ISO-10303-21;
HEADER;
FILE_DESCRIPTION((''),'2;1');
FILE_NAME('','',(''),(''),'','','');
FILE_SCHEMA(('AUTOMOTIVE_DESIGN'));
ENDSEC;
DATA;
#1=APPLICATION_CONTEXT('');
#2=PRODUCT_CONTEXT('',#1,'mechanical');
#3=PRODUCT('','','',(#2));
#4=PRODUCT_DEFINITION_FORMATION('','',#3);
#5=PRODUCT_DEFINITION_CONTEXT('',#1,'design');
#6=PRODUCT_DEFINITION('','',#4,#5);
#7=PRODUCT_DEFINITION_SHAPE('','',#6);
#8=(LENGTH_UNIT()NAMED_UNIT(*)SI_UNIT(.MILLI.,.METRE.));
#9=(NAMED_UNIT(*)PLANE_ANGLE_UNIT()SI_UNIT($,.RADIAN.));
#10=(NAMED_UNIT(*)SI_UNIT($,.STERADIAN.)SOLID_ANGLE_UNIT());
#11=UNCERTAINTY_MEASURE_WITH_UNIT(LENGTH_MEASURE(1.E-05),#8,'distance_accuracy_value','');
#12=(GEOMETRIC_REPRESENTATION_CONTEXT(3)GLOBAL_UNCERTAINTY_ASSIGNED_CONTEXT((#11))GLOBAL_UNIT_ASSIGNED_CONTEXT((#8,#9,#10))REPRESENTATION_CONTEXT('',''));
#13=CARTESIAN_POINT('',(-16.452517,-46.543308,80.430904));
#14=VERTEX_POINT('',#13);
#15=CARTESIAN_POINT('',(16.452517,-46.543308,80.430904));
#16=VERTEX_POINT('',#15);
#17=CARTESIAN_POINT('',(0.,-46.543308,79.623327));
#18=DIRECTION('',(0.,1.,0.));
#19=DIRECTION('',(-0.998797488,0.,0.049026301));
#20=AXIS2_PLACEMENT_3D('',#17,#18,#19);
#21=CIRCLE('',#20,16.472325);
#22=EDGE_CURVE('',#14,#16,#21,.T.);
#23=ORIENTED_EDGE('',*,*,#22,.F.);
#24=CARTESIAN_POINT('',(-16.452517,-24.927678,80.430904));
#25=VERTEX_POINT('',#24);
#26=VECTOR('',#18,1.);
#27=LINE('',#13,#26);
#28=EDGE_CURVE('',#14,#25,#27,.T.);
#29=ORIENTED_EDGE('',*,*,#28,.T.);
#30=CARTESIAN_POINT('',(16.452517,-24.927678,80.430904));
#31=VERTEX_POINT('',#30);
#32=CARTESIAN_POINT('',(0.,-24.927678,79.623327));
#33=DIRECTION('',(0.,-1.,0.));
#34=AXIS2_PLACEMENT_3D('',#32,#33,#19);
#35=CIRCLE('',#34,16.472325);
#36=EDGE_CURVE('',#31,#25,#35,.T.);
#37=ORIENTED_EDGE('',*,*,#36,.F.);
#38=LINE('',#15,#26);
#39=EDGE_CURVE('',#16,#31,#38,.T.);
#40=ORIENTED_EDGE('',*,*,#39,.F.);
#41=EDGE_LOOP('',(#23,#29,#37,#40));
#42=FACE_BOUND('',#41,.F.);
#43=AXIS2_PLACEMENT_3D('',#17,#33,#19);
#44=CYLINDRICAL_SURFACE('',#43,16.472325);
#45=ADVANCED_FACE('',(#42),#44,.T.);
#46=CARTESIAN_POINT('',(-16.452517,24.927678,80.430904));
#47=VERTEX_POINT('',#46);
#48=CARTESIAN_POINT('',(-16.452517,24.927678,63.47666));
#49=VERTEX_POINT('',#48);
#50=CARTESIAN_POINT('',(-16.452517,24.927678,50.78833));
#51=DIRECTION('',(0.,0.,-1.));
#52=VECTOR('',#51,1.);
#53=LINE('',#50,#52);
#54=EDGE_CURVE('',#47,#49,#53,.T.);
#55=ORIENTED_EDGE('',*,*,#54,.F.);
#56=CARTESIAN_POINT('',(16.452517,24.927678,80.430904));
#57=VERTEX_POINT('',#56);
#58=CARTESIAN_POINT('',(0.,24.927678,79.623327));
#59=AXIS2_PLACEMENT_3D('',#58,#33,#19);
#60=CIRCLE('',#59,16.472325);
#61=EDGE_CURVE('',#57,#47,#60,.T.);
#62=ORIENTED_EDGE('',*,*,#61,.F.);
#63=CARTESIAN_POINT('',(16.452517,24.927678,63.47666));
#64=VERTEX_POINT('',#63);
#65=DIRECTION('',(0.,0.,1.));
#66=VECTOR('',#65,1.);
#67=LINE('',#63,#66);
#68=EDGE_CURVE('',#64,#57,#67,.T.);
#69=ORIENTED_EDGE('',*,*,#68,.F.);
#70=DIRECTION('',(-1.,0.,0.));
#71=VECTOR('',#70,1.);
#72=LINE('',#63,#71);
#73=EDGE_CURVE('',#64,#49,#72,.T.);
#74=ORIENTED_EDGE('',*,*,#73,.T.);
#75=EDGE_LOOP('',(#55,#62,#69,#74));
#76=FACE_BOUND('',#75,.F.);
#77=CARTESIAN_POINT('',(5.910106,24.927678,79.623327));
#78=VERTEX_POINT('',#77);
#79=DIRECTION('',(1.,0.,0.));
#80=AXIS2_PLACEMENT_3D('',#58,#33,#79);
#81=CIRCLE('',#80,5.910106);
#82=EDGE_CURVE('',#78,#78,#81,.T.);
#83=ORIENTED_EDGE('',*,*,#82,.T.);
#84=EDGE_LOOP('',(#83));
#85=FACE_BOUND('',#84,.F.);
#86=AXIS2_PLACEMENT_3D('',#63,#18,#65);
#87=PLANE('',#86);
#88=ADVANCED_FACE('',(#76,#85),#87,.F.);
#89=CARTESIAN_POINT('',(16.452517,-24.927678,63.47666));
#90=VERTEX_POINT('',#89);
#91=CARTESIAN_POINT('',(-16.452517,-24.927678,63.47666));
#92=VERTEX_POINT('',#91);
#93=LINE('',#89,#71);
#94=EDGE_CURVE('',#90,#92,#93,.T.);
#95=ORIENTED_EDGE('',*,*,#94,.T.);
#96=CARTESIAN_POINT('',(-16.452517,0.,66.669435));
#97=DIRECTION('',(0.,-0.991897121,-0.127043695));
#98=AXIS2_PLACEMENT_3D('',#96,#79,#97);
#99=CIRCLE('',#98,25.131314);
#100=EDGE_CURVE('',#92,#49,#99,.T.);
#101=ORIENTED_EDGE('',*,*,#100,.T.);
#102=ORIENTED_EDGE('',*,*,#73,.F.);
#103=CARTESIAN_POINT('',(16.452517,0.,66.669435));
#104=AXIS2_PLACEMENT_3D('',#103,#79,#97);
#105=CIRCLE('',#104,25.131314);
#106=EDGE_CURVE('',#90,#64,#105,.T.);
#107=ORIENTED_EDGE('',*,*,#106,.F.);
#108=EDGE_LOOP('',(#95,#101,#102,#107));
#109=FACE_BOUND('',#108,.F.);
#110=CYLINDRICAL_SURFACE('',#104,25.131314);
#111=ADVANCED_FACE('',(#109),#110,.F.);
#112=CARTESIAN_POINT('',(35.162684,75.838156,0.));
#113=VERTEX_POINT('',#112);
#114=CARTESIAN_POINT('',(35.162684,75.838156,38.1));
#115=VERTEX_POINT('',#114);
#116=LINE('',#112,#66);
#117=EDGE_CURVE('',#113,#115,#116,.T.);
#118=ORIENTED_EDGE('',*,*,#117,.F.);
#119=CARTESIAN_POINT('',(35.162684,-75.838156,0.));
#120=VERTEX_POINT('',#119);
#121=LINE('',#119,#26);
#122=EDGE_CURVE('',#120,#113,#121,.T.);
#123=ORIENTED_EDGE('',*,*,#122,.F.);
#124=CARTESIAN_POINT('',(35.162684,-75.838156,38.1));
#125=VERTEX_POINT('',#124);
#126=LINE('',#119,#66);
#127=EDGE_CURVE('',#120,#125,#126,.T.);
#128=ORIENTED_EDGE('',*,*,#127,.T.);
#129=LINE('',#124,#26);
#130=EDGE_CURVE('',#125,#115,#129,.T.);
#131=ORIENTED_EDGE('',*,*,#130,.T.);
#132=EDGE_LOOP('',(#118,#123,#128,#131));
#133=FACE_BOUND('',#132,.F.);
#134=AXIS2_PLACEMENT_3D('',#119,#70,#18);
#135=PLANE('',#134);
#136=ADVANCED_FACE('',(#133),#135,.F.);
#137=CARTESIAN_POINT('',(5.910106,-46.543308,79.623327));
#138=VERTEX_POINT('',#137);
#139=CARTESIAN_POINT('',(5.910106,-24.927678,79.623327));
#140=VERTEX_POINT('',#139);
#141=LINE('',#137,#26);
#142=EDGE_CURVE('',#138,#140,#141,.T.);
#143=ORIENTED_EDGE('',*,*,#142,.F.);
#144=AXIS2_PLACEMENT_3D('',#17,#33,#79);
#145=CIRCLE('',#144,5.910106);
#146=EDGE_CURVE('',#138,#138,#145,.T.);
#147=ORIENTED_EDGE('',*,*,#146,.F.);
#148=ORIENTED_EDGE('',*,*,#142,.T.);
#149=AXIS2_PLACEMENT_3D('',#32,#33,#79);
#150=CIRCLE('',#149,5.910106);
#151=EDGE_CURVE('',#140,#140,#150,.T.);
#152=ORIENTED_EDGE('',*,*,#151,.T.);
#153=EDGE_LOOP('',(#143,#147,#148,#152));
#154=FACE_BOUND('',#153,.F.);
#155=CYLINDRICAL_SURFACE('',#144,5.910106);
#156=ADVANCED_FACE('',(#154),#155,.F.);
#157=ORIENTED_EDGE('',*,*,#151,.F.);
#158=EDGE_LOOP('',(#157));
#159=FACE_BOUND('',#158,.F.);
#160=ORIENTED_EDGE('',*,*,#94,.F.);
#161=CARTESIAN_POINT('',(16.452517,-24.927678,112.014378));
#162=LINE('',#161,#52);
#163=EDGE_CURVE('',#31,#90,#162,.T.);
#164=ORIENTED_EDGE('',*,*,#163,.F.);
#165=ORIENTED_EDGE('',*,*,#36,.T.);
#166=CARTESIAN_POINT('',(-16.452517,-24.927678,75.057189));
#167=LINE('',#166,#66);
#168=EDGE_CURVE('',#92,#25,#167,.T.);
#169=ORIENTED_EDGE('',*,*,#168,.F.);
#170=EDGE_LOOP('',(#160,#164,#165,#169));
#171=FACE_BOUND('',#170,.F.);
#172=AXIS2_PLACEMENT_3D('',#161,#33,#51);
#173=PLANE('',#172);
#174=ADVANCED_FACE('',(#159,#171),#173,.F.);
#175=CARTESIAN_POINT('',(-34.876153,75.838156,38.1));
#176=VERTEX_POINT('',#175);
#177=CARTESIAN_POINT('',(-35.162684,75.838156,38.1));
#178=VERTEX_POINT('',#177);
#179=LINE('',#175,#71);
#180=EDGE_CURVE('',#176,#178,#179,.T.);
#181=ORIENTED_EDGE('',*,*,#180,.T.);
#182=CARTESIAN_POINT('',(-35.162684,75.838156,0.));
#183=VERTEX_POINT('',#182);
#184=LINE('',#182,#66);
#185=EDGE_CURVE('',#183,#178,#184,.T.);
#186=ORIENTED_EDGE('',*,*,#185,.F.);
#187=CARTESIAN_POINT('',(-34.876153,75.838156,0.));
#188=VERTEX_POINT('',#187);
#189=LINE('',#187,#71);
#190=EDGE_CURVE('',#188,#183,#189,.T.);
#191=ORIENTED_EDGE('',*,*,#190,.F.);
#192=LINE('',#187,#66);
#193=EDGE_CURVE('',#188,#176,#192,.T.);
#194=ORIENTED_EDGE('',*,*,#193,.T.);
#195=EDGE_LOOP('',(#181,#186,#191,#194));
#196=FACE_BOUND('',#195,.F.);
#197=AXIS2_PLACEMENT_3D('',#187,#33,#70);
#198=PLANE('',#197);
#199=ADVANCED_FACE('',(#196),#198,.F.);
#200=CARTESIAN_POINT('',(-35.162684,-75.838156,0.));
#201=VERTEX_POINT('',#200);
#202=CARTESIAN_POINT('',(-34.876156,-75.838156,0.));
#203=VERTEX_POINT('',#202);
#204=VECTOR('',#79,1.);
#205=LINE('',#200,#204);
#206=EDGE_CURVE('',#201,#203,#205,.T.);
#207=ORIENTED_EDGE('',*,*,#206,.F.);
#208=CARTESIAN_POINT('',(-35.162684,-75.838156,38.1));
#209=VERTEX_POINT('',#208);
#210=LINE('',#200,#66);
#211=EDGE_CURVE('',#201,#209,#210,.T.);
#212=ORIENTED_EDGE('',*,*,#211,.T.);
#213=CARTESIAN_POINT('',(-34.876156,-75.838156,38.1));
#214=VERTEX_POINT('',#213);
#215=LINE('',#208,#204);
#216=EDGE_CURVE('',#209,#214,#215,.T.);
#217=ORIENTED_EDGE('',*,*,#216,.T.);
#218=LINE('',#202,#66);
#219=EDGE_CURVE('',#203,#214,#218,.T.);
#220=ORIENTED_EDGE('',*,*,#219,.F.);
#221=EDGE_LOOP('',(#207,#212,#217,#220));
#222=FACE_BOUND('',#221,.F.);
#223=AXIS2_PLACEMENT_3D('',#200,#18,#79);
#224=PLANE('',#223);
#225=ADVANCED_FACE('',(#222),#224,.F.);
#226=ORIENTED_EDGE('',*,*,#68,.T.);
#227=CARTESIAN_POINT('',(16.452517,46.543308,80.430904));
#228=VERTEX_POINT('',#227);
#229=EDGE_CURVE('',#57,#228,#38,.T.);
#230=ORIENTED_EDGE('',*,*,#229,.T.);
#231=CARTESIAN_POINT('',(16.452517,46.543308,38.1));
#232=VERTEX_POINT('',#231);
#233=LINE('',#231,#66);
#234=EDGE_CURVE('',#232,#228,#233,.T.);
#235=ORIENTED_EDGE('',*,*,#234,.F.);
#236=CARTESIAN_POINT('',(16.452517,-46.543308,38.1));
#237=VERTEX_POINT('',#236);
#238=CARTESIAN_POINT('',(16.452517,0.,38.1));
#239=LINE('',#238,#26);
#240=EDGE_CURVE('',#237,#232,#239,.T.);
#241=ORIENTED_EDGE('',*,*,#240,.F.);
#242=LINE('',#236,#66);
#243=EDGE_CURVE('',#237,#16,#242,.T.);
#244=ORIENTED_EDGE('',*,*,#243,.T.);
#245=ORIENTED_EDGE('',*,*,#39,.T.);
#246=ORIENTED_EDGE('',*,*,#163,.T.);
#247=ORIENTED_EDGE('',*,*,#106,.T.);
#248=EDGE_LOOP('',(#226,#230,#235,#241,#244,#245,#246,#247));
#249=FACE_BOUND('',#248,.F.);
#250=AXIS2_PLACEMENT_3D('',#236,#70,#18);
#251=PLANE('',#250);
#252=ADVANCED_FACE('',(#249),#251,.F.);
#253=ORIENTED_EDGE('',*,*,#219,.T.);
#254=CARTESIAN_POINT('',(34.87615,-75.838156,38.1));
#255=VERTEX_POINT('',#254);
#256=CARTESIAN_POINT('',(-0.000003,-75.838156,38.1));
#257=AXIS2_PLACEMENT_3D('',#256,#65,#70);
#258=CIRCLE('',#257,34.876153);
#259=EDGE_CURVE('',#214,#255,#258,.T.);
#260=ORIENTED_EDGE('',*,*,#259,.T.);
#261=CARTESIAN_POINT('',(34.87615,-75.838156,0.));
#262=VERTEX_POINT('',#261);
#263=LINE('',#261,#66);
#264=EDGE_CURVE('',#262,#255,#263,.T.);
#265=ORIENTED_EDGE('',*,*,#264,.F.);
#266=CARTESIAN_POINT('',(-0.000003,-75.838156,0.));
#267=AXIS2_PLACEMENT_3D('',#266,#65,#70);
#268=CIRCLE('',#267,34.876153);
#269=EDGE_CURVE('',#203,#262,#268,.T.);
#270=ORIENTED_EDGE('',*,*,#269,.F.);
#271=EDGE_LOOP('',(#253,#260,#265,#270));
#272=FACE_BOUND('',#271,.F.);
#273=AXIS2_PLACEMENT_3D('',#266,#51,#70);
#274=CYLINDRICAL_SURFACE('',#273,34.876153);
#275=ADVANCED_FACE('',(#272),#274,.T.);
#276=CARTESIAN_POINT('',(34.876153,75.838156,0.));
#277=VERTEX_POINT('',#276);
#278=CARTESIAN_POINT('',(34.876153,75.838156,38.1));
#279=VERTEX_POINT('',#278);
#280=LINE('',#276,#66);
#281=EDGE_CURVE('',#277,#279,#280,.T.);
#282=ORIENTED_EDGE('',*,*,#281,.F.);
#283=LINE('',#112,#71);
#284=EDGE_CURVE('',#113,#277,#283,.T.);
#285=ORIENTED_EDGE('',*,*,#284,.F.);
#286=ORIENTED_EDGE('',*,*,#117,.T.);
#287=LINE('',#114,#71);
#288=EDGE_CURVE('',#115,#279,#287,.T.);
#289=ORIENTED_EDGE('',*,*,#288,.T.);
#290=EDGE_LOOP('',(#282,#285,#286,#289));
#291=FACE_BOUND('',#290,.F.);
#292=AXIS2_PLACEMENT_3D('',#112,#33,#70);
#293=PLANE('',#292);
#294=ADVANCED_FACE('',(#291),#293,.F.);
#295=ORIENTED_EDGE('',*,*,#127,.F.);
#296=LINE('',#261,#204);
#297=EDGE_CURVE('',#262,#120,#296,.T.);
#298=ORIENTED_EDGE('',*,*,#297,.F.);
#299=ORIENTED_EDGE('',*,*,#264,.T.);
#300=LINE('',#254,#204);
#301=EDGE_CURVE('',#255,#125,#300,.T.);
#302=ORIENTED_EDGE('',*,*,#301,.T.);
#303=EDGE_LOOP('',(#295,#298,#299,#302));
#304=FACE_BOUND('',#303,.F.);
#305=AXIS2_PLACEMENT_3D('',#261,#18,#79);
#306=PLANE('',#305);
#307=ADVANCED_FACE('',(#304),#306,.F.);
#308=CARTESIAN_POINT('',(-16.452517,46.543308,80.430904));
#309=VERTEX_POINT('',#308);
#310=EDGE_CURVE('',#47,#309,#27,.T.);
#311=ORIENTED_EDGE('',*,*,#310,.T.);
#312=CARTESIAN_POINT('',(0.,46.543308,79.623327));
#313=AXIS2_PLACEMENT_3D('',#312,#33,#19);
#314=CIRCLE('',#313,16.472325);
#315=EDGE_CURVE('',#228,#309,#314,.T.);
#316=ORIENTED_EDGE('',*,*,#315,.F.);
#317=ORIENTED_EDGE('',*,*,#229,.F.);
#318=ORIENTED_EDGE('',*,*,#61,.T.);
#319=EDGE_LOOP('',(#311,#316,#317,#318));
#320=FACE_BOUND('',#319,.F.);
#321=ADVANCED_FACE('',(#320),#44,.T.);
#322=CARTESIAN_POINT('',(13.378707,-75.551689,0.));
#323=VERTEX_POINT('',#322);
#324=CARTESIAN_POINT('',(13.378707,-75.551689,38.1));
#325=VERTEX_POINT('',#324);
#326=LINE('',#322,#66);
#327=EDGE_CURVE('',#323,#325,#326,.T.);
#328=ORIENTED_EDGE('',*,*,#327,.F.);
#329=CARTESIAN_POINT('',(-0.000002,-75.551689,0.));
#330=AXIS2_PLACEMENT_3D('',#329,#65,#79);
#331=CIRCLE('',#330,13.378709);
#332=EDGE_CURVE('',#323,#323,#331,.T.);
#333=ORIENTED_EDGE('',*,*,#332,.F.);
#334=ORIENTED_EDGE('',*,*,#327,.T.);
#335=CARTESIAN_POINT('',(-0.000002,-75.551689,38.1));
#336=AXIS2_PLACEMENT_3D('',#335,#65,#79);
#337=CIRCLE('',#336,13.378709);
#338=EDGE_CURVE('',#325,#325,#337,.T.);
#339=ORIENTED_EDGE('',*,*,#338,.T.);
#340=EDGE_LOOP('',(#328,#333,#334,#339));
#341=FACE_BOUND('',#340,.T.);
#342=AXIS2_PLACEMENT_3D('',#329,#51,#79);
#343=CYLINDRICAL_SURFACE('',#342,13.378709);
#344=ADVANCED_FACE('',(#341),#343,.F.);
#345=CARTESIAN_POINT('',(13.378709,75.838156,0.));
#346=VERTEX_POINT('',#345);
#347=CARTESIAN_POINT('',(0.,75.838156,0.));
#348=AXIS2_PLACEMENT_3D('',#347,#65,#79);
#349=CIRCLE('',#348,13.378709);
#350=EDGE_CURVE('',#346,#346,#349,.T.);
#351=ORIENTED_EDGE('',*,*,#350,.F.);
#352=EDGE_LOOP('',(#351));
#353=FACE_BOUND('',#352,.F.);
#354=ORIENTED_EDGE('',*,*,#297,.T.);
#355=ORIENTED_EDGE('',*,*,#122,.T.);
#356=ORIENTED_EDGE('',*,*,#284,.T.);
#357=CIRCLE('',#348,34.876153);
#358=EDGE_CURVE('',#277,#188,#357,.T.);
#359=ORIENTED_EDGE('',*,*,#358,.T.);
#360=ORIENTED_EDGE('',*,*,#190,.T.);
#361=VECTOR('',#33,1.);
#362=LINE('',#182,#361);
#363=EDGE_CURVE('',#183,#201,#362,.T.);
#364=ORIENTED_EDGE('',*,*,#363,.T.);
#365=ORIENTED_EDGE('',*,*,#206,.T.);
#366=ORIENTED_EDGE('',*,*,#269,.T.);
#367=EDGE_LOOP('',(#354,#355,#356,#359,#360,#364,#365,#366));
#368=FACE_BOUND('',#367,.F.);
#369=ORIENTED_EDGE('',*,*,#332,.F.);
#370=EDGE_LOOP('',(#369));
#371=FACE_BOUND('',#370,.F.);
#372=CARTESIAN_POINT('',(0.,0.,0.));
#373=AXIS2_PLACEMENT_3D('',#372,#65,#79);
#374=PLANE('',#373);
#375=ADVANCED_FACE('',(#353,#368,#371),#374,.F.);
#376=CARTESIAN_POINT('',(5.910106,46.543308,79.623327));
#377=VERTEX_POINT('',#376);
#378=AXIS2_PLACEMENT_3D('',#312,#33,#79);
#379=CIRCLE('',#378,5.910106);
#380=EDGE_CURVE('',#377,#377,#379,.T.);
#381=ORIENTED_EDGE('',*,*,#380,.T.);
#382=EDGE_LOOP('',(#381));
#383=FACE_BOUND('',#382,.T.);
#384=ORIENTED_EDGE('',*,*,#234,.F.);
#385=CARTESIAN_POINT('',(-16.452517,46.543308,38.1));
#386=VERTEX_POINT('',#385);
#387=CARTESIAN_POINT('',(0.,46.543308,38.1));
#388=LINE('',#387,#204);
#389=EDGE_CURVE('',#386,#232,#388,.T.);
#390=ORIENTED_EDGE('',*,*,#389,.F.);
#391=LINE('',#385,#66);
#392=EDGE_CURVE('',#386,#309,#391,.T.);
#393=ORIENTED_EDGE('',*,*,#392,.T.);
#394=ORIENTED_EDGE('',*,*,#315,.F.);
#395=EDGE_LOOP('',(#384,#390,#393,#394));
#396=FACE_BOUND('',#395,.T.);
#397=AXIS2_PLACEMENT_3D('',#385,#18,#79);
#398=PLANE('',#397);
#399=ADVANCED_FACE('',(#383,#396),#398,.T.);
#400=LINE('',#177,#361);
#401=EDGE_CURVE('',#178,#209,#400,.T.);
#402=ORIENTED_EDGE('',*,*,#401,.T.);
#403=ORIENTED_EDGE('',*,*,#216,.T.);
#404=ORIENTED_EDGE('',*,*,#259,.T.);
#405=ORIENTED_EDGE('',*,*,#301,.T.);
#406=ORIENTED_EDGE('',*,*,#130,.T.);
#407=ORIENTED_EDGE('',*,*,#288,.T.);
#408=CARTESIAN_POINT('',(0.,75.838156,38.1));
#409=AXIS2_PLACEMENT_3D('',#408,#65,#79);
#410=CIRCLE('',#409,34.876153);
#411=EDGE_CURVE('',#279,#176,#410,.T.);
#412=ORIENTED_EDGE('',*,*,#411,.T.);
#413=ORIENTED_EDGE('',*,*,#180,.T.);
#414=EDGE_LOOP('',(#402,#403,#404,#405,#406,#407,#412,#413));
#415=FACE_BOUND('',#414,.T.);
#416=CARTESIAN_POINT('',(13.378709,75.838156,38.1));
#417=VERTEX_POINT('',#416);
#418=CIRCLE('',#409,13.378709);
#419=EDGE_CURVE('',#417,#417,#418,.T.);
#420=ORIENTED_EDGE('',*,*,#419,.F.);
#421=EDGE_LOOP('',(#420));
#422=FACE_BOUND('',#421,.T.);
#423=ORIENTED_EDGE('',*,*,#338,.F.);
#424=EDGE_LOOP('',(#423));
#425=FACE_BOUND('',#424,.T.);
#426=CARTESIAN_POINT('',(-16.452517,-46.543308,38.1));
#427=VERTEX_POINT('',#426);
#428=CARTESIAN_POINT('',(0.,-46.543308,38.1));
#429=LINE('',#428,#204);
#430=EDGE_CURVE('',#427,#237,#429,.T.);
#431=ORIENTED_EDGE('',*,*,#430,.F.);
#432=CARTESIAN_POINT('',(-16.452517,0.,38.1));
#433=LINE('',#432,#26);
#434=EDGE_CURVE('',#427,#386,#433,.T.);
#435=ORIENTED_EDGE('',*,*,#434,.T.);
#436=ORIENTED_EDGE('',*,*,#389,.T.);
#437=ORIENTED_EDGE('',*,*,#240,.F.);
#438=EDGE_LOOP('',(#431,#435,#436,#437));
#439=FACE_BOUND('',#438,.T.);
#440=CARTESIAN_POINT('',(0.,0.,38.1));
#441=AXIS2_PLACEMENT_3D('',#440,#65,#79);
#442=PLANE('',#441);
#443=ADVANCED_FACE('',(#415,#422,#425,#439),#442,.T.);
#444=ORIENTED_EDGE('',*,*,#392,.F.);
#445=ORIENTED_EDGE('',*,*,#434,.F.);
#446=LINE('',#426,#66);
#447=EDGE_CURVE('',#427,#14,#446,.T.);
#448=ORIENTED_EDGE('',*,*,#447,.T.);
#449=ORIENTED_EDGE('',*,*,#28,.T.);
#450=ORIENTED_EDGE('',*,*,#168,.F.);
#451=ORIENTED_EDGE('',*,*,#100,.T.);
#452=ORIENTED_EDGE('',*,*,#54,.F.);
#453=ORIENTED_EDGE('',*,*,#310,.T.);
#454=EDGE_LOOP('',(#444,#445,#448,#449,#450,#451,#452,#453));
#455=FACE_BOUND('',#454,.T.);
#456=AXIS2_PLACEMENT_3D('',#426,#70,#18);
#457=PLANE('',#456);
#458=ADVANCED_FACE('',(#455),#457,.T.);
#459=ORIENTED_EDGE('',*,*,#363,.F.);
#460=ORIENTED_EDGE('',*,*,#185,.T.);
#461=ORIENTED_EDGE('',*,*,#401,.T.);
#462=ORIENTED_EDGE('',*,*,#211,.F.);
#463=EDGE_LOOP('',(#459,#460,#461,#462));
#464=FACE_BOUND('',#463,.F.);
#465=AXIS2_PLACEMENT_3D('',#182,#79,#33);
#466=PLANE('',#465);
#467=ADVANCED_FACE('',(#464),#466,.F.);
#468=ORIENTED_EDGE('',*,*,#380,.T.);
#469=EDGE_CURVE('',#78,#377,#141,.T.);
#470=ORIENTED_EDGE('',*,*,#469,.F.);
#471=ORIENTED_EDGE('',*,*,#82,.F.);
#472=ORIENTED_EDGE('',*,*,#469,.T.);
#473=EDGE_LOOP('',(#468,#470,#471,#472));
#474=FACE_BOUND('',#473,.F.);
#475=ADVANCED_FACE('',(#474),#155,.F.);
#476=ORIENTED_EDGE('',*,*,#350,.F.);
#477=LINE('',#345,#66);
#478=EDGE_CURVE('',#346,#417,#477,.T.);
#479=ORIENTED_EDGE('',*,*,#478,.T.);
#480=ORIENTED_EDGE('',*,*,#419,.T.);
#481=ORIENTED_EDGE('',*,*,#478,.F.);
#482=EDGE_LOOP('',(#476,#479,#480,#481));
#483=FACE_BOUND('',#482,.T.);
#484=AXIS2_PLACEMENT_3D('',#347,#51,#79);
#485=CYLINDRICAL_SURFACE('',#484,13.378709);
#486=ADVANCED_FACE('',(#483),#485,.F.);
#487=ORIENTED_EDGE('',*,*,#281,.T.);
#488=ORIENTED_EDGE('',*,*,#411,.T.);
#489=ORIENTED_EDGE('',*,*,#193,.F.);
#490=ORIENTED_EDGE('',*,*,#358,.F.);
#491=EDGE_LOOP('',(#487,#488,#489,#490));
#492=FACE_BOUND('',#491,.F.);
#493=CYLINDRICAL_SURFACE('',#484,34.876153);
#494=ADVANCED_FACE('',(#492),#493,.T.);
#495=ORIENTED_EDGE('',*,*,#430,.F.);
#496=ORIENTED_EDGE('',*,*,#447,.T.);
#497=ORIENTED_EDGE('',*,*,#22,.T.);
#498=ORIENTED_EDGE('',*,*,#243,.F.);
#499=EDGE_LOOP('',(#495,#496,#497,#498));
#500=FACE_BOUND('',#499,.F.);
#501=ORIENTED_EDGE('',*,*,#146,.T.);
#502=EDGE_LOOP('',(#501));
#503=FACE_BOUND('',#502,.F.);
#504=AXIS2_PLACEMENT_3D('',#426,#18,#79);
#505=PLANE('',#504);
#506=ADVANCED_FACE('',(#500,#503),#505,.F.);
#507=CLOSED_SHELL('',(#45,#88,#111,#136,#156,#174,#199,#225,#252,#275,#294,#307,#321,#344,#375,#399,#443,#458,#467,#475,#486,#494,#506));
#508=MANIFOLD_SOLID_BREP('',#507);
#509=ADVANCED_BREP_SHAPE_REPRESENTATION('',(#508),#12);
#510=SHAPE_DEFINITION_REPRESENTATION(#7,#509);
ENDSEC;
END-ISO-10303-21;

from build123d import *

# Parameters (mm, degrees)
F0_R     = 13.378709
F1_DEPTH = 38.1
F2_W     = 32.905034
F2_H     = 93.086616
F3_DEPTH = 63.5
F4_R     = 5.910106
F5_DEPTH = 157.258617
F6_W     = 49.855356
F6_H     = 31.583474
F7_DEPTH = 51.616201


with BuildPart() as f1:
    # F0 (on Top) → F1 (new body)
    with BuildSketch(Plane.XY):
        with BuildLine():
            Line((-34.876153, 75.838156), (-35.162684, 75.838156))
            Line((-35.162684, 75.838156), (-35.162684, -75.838156))
            Line((-35.162684, -75.838156), (-34.876156, -75.838156))
            ThreePointArc((-34.876156, -75.838156), (-3e-06, -110.714309), (34.87615, -75.838156))
            Line((34.87615, -75.838156), (35.162684, -75.838156))
            Line((35.162684, -75.838156), (35.162684, 75.838156))
            Line((35.162684, 75.838156), (34.876153, 75.838156))
            ThreePointArc((34.876153, 75.838156), (0, 110.714309), (-34.876153, 75.838156))
        make_face()
        with Locations((-2e-06, -75.551689)):
            Circle(F0_R, mode=Mode.SUBTRACT)
        with Locations((0, 75.838156)):
            Circle(F0_R, mode=Mode.SUBTRACT)
    extrude(amount=F1_DEPTH)

    # F2 (on face) → F3 (join)
    with BuildSketch(Plane.XY.offset(38.1)):
        Rectangle(F2_W, F2_H)
    extrude(amount=F3_DEPTH)

    # F4 (on face) → F5 (cut, through all)
    with BuildSketch(Plane.XZ.offset(46.543308)):
        with BuildLine():
            ThreePointArc((-16.452517, 80.430904), (0, 96.095652), (16.452517, 80.430904))
            Line((16.452517, 80.430904), (16.452517, 101.6))
            Line((16.452517, 101.6), (-16.452517, 101.6))
            Line((-16.452517, 101.6), (-16.452517, 80.430904))
        make_face()
        with Locations((0, 79.623327)):
            Circle(F4_R)
    extrude(amount=-F5_DEPTH, mode=Mode.SUBTRACT)

    # F6 (on face) → F7 (cut, through all)
    with BuildSketch(Plane.YZ.offset(16.452517)):
        with BuildLine():
            Line((24.927678, 80.430904), (-24.927678, 80.430904))
            Line((-24.927678, 80.430904), (-24.927678, 63.47666))
            ThreePointArc((-24.927678, 63.47666), (0, 41.538121), (24.927678, 63.47666))
            Line((24.927678, 63.47666), (24.927678, 80.430904))
        make_face()
        with Locations((0, 96.222641)):
            Rectangle(F6_W, F6_H)
    extrude(amount=-F7_DEPTH, mode=Mode.SUBTRACT)


solid = f1.part
